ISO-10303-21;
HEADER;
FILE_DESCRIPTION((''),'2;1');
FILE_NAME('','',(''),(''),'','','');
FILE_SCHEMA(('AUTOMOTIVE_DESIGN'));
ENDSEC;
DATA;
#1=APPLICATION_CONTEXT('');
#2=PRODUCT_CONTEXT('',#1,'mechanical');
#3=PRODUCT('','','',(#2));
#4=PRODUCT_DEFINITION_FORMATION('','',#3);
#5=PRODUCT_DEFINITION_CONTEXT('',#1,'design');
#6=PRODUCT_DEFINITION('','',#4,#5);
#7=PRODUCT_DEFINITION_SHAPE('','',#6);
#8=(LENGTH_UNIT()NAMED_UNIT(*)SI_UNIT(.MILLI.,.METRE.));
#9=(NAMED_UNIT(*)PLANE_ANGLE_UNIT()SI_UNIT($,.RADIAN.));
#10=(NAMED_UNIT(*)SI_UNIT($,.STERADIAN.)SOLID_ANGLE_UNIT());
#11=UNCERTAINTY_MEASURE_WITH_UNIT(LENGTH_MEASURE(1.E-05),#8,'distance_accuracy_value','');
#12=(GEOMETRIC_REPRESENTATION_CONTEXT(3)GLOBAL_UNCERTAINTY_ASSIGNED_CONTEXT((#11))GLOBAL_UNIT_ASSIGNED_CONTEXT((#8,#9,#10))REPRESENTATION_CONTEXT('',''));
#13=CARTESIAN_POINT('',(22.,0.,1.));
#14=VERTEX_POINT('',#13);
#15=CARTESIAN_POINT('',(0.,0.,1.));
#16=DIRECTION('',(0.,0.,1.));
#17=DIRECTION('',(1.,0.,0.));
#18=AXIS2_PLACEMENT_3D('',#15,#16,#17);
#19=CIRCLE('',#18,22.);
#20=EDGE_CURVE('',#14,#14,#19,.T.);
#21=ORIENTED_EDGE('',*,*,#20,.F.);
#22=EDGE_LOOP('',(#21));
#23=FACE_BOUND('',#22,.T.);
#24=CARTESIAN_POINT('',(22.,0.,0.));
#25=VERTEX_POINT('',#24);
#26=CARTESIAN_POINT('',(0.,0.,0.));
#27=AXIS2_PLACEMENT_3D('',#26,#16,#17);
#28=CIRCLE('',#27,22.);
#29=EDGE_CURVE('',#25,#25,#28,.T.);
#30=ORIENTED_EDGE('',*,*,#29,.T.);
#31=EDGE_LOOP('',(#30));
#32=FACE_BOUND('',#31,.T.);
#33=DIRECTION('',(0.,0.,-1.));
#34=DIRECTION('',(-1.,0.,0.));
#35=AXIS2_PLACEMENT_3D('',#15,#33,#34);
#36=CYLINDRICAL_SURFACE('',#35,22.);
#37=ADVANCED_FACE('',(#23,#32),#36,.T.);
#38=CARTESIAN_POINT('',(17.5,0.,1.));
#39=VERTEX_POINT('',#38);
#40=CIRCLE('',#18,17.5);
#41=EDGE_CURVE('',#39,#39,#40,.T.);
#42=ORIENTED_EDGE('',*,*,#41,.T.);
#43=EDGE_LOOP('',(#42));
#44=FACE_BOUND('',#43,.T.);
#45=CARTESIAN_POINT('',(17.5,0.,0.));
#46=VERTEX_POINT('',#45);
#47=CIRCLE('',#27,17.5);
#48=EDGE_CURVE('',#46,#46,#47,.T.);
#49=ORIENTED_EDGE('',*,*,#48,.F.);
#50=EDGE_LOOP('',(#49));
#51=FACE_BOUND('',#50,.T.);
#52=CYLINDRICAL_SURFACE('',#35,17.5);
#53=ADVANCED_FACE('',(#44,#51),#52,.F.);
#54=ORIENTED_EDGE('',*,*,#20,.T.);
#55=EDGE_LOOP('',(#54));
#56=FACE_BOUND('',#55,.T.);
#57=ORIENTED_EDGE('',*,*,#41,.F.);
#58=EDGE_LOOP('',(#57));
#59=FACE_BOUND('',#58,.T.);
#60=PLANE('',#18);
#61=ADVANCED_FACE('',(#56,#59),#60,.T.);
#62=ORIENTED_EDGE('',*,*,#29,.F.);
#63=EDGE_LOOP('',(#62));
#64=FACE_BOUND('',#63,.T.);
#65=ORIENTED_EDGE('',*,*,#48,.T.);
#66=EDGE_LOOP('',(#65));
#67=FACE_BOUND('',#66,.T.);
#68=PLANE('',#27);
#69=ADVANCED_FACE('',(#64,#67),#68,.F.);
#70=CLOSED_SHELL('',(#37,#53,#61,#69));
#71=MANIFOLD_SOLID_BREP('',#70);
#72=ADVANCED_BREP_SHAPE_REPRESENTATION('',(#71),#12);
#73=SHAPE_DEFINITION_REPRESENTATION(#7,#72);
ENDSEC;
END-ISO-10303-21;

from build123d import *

# Parameters (mm, degrees)
SZKIC1_R                          = 22
SZKIC1_R_2                        = 17.5
WYCI_GNI_CIE_CIENKA_CIANKA1_DEPTH = 1


with BuildPart() as part:
    # Szkic1 → Wyciągnięcie-cienka ścianka1 (new body)
    with BuildSketch(Plane.XY):
        Circle(SZKIC1_R)
        Circle(SZKIC1_R_2, mode=Mode.SUBTRACT)
    extrude(amount=WYCI_GNI_CIE_CIENKA_CIANKA1_DEPTH)


solid = part.part
